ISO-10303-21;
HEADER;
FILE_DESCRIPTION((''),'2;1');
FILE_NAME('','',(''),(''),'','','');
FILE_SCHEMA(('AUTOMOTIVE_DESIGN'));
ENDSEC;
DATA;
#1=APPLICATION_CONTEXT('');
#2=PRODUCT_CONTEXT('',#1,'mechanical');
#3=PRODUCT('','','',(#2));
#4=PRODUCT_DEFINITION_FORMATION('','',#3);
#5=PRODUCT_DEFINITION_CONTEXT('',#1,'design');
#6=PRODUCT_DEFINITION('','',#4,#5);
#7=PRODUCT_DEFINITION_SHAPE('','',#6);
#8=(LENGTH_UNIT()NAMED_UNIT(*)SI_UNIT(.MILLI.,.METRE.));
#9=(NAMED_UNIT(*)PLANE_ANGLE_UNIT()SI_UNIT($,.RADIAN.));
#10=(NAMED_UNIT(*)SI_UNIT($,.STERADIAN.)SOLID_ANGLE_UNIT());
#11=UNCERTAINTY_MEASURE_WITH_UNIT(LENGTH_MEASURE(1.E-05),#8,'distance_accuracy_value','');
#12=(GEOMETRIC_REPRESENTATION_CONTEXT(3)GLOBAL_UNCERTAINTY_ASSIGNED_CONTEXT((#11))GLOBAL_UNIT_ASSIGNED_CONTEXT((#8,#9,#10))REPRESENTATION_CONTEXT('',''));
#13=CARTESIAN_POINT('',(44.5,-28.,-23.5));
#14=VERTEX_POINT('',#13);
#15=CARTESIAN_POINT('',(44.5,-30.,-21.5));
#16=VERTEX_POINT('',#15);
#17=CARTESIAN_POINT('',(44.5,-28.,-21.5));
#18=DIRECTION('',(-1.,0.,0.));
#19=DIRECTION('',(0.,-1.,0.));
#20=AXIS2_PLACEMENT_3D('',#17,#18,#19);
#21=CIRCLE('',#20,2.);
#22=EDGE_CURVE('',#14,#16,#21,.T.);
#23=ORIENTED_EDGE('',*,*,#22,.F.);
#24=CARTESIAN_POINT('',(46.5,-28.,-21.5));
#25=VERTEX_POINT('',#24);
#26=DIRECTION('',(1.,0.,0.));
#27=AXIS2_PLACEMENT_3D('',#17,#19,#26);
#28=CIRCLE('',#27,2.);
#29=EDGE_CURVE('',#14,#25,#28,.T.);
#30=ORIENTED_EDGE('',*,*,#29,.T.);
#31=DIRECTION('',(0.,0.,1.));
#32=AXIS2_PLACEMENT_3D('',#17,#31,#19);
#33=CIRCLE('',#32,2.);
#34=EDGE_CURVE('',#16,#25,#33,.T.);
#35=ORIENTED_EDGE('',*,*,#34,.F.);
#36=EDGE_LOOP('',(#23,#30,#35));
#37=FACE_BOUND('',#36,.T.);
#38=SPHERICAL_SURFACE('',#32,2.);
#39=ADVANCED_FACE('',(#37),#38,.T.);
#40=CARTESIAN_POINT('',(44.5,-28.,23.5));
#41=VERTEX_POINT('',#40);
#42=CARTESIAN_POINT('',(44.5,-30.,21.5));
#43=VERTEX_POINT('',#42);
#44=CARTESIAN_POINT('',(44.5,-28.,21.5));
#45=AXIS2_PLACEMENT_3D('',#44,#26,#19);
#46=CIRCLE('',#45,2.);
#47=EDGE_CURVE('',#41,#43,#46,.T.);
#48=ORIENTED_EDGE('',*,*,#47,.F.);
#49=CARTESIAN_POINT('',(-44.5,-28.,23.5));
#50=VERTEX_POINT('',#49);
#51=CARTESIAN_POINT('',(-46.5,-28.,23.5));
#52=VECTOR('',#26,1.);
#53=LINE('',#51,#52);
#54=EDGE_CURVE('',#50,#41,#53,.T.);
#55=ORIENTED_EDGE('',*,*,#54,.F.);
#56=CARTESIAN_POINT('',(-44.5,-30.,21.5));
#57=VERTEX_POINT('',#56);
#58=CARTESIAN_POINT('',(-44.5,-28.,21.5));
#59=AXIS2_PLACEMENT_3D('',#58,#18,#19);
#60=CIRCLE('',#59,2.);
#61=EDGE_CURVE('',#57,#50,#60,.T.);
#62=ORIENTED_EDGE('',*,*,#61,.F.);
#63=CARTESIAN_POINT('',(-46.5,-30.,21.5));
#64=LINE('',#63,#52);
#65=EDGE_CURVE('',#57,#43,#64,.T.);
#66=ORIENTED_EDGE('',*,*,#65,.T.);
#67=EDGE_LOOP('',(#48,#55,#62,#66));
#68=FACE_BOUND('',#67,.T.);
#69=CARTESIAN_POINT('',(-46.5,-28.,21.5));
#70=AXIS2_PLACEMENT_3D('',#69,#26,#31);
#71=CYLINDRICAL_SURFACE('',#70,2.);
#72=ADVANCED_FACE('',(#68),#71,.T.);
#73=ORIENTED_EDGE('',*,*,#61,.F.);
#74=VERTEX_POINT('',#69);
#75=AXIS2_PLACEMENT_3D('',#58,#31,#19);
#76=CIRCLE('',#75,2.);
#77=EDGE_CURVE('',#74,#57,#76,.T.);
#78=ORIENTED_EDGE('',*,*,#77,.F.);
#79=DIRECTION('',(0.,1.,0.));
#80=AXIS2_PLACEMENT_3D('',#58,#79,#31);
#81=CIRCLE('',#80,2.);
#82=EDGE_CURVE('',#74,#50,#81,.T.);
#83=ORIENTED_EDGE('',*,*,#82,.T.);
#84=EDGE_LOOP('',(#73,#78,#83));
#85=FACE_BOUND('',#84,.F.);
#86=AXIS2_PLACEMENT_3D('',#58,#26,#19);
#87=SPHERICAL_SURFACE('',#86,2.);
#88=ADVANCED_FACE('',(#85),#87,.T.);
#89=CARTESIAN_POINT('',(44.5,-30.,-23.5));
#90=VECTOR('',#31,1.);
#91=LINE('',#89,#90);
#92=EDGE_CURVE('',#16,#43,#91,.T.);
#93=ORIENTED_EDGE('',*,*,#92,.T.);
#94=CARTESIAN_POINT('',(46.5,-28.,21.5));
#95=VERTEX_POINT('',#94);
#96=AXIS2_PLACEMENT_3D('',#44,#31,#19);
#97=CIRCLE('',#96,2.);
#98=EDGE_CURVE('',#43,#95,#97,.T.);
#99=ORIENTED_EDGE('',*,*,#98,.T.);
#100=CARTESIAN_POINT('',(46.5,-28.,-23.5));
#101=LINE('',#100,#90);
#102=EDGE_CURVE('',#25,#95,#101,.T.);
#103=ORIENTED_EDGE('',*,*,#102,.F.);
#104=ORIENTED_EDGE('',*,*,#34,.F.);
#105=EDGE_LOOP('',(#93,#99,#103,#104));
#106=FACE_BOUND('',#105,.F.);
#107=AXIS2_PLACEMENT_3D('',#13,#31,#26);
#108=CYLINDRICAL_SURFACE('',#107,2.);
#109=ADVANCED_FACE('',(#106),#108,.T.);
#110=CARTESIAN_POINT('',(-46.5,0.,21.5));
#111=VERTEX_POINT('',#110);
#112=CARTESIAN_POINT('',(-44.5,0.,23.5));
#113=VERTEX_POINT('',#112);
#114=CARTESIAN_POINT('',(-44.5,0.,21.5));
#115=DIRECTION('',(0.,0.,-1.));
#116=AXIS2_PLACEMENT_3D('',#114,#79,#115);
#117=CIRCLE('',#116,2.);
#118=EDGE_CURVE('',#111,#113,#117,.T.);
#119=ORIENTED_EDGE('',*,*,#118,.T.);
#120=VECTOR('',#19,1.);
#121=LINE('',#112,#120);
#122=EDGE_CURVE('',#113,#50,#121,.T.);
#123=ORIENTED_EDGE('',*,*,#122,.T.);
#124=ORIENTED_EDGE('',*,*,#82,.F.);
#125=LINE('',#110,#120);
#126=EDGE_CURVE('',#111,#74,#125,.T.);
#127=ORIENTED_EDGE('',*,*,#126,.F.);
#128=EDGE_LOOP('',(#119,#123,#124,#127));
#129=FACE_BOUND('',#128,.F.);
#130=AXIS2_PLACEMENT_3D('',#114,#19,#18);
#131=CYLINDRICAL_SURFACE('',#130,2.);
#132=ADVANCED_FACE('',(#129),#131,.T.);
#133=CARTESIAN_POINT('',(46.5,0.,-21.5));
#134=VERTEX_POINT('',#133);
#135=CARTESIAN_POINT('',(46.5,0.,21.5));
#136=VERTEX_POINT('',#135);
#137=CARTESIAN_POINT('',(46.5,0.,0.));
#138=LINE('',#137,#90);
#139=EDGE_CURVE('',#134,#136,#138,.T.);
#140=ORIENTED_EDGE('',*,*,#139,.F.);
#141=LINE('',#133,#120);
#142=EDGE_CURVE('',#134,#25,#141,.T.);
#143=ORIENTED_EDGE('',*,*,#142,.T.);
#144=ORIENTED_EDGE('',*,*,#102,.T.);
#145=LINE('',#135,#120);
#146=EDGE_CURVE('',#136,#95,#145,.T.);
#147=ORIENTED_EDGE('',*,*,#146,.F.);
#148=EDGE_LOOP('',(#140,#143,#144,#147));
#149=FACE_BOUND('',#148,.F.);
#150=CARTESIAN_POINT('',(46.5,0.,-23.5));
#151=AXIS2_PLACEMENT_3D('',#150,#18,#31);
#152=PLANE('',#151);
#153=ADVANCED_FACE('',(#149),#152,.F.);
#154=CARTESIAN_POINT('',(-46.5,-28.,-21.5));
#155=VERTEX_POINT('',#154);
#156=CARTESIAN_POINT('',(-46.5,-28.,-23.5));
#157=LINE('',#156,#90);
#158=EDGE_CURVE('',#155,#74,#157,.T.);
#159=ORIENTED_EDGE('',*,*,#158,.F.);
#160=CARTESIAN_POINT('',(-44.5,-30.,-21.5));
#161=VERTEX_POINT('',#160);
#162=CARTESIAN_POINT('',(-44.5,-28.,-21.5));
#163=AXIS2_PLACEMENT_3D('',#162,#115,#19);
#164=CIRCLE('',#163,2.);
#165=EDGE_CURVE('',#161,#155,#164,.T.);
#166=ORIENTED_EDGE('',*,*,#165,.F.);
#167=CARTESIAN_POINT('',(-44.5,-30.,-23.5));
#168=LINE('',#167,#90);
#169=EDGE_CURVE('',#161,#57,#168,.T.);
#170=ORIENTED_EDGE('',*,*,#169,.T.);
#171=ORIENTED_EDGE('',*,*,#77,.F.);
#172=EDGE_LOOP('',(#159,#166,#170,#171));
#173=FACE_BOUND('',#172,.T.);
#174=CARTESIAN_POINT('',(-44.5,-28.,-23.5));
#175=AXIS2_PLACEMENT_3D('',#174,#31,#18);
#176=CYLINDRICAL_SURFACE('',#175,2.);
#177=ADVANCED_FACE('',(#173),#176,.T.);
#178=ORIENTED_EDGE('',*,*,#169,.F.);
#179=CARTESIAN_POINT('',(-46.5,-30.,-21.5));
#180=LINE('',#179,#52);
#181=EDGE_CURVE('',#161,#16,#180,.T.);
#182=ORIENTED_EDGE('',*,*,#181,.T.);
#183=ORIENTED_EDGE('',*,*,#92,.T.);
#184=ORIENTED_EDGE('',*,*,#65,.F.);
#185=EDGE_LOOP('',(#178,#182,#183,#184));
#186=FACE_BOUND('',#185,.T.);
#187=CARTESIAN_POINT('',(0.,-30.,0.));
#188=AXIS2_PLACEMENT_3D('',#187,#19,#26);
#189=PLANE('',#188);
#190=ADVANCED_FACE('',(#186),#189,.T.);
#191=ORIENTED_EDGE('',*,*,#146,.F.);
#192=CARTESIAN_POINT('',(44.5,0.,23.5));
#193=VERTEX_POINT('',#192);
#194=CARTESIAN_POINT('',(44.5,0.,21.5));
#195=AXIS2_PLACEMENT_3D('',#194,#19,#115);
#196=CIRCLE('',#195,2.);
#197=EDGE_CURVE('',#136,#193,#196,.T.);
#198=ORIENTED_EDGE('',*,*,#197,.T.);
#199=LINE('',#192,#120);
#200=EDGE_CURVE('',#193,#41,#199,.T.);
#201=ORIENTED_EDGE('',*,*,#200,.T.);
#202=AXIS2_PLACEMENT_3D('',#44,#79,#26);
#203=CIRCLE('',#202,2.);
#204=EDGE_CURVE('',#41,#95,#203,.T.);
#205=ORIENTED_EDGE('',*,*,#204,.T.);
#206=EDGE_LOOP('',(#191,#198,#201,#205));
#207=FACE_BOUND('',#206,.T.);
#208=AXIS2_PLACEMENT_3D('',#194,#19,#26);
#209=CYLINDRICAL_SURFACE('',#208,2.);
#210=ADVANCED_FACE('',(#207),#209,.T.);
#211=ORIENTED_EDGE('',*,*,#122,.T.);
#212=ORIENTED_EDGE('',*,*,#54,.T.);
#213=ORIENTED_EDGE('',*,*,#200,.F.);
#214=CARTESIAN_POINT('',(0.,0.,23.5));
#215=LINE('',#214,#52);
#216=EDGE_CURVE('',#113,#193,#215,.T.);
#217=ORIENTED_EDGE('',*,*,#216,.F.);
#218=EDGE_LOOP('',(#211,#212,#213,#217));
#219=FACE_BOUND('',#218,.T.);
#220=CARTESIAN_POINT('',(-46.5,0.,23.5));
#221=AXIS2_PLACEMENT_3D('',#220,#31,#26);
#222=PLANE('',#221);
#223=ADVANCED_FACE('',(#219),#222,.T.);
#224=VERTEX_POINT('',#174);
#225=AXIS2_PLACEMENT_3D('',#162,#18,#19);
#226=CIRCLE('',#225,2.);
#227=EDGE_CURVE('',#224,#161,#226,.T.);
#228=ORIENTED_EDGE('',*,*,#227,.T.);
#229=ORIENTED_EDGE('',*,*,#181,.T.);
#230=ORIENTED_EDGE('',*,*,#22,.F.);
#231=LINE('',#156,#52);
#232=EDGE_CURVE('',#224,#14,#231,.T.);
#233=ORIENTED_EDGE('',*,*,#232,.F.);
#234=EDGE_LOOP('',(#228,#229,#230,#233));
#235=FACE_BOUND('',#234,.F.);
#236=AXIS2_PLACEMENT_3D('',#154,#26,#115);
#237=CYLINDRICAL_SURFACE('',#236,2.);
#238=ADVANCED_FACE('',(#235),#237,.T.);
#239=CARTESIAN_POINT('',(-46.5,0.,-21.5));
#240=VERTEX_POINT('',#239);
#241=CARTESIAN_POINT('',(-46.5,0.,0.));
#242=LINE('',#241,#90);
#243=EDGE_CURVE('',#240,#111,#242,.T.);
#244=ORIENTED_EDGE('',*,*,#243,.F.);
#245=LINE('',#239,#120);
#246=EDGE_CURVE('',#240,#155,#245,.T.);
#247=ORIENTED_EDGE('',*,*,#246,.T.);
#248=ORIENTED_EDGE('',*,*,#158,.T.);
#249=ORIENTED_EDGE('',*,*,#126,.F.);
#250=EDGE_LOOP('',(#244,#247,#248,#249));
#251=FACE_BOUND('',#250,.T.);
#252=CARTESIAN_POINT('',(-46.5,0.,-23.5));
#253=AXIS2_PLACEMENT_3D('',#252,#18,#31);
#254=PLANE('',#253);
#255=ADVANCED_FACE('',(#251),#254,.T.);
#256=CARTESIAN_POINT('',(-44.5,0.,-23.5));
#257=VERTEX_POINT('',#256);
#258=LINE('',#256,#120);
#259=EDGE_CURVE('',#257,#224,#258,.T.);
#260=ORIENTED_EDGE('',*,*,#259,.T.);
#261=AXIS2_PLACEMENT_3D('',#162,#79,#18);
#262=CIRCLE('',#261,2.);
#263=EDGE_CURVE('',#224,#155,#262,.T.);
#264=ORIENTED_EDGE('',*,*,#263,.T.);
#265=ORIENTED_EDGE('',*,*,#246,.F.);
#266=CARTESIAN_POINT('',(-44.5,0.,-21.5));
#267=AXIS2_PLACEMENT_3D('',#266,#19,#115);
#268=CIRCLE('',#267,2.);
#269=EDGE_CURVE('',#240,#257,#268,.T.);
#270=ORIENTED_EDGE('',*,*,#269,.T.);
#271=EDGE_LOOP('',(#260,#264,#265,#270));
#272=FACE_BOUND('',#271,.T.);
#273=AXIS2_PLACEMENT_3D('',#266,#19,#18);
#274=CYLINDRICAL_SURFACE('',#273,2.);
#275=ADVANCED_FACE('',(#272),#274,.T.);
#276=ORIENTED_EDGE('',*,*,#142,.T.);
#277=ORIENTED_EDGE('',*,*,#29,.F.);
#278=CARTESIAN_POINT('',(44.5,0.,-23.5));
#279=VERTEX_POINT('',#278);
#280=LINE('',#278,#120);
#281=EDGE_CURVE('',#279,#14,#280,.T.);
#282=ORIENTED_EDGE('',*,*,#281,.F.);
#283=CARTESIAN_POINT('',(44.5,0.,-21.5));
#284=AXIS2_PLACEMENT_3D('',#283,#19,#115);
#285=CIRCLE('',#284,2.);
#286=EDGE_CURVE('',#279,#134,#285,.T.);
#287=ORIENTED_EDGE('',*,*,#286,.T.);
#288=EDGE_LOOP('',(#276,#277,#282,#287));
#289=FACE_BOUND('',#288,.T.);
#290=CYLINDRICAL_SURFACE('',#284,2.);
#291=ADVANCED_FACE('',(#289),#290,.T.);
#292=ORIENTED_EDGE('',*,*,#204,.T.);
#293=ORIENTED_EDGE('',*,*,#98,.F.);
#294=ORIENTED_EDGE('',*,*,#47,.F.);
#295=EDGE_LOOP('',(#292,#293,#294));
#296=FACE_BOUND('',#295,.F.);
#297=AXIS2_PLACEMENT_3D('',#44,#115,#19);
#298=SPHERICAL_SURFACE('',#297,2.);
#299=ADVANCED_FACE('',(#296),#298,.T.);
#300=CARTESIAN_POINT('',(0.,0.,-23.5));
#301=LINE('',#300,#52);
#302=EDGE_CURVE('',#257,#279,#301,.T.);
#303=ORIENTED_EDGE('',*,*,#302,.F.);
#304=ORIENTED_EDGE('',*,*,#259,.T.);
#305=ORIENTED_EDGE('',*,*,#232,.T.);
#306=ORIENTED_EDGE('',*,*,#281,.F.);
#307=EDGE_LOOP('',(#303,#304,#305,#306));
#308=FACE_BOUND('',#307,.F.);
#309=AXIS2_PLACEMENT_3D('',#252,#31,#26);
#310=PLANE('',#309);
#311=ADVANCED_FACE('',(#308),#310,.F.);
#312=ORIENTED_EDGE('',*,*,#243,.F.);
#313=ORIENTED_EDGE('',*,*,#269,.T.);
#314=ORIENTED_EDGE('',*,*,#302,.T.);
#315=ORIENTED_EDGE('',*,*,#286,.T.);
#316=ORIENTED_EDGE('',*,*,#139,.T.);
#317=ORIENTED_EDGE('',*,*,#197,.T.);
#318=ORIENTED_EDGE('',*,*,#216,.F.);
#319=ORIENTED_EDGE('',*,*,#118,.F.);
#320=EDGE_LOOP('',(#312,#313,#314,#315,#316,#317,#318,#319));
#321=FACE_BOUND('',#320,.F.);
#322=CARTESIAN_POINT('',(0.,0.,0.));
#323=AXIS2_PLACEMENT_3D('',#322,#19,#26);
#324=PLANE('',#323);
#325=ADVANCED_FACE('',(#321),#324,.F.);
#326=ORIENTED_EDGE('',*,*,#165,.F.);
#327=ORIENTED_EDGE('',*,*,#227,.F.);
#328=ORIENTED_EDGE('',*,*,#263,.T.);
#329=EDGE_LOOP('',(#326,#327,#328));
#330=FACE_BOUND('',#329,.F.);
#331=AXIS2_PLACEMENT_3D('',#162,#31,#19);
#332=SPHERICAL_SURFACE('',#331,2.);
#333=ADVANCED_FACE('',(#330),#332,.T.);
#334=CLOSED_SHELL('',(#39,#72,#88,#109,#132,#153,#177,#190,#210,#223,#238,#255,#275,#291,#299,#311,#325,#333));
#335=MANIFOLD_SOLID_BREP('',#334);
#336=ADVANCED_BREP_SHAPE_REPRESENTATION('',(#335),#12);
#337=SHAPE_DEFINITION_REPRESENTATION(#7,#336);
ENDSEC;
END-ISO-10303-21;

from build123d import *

# Parameters (mm, degrees)
F0_W     = 93
F0_H     = 47
F1_DEPTH = 30
F2_R     = 2


with BuildPart() as f1:
    # F0 (on Front) → F1 (new body)
    with BuildSketch(Plane.XZ):
        Rectangle(F0_W, F0_H)
    extrude(amount=F1_DEPTH)

    # F2
    f2_edges = [f1.edges().sort_by_distance(p)[0] for p in [
        (46.5, -30, 0),
        (0, -30, 23.5),
        (-46.5, -30, 0),
        (0, -30, -23.5),
        (-46.5, -15, 23.5),
        (-46.5, -15, -23.5),
        (46.5, -15, -23.5),
        (46.5, -15, 23.5),
    ]]
    fillet(f2_edges, radius=F2_R)


solid = f1.part
